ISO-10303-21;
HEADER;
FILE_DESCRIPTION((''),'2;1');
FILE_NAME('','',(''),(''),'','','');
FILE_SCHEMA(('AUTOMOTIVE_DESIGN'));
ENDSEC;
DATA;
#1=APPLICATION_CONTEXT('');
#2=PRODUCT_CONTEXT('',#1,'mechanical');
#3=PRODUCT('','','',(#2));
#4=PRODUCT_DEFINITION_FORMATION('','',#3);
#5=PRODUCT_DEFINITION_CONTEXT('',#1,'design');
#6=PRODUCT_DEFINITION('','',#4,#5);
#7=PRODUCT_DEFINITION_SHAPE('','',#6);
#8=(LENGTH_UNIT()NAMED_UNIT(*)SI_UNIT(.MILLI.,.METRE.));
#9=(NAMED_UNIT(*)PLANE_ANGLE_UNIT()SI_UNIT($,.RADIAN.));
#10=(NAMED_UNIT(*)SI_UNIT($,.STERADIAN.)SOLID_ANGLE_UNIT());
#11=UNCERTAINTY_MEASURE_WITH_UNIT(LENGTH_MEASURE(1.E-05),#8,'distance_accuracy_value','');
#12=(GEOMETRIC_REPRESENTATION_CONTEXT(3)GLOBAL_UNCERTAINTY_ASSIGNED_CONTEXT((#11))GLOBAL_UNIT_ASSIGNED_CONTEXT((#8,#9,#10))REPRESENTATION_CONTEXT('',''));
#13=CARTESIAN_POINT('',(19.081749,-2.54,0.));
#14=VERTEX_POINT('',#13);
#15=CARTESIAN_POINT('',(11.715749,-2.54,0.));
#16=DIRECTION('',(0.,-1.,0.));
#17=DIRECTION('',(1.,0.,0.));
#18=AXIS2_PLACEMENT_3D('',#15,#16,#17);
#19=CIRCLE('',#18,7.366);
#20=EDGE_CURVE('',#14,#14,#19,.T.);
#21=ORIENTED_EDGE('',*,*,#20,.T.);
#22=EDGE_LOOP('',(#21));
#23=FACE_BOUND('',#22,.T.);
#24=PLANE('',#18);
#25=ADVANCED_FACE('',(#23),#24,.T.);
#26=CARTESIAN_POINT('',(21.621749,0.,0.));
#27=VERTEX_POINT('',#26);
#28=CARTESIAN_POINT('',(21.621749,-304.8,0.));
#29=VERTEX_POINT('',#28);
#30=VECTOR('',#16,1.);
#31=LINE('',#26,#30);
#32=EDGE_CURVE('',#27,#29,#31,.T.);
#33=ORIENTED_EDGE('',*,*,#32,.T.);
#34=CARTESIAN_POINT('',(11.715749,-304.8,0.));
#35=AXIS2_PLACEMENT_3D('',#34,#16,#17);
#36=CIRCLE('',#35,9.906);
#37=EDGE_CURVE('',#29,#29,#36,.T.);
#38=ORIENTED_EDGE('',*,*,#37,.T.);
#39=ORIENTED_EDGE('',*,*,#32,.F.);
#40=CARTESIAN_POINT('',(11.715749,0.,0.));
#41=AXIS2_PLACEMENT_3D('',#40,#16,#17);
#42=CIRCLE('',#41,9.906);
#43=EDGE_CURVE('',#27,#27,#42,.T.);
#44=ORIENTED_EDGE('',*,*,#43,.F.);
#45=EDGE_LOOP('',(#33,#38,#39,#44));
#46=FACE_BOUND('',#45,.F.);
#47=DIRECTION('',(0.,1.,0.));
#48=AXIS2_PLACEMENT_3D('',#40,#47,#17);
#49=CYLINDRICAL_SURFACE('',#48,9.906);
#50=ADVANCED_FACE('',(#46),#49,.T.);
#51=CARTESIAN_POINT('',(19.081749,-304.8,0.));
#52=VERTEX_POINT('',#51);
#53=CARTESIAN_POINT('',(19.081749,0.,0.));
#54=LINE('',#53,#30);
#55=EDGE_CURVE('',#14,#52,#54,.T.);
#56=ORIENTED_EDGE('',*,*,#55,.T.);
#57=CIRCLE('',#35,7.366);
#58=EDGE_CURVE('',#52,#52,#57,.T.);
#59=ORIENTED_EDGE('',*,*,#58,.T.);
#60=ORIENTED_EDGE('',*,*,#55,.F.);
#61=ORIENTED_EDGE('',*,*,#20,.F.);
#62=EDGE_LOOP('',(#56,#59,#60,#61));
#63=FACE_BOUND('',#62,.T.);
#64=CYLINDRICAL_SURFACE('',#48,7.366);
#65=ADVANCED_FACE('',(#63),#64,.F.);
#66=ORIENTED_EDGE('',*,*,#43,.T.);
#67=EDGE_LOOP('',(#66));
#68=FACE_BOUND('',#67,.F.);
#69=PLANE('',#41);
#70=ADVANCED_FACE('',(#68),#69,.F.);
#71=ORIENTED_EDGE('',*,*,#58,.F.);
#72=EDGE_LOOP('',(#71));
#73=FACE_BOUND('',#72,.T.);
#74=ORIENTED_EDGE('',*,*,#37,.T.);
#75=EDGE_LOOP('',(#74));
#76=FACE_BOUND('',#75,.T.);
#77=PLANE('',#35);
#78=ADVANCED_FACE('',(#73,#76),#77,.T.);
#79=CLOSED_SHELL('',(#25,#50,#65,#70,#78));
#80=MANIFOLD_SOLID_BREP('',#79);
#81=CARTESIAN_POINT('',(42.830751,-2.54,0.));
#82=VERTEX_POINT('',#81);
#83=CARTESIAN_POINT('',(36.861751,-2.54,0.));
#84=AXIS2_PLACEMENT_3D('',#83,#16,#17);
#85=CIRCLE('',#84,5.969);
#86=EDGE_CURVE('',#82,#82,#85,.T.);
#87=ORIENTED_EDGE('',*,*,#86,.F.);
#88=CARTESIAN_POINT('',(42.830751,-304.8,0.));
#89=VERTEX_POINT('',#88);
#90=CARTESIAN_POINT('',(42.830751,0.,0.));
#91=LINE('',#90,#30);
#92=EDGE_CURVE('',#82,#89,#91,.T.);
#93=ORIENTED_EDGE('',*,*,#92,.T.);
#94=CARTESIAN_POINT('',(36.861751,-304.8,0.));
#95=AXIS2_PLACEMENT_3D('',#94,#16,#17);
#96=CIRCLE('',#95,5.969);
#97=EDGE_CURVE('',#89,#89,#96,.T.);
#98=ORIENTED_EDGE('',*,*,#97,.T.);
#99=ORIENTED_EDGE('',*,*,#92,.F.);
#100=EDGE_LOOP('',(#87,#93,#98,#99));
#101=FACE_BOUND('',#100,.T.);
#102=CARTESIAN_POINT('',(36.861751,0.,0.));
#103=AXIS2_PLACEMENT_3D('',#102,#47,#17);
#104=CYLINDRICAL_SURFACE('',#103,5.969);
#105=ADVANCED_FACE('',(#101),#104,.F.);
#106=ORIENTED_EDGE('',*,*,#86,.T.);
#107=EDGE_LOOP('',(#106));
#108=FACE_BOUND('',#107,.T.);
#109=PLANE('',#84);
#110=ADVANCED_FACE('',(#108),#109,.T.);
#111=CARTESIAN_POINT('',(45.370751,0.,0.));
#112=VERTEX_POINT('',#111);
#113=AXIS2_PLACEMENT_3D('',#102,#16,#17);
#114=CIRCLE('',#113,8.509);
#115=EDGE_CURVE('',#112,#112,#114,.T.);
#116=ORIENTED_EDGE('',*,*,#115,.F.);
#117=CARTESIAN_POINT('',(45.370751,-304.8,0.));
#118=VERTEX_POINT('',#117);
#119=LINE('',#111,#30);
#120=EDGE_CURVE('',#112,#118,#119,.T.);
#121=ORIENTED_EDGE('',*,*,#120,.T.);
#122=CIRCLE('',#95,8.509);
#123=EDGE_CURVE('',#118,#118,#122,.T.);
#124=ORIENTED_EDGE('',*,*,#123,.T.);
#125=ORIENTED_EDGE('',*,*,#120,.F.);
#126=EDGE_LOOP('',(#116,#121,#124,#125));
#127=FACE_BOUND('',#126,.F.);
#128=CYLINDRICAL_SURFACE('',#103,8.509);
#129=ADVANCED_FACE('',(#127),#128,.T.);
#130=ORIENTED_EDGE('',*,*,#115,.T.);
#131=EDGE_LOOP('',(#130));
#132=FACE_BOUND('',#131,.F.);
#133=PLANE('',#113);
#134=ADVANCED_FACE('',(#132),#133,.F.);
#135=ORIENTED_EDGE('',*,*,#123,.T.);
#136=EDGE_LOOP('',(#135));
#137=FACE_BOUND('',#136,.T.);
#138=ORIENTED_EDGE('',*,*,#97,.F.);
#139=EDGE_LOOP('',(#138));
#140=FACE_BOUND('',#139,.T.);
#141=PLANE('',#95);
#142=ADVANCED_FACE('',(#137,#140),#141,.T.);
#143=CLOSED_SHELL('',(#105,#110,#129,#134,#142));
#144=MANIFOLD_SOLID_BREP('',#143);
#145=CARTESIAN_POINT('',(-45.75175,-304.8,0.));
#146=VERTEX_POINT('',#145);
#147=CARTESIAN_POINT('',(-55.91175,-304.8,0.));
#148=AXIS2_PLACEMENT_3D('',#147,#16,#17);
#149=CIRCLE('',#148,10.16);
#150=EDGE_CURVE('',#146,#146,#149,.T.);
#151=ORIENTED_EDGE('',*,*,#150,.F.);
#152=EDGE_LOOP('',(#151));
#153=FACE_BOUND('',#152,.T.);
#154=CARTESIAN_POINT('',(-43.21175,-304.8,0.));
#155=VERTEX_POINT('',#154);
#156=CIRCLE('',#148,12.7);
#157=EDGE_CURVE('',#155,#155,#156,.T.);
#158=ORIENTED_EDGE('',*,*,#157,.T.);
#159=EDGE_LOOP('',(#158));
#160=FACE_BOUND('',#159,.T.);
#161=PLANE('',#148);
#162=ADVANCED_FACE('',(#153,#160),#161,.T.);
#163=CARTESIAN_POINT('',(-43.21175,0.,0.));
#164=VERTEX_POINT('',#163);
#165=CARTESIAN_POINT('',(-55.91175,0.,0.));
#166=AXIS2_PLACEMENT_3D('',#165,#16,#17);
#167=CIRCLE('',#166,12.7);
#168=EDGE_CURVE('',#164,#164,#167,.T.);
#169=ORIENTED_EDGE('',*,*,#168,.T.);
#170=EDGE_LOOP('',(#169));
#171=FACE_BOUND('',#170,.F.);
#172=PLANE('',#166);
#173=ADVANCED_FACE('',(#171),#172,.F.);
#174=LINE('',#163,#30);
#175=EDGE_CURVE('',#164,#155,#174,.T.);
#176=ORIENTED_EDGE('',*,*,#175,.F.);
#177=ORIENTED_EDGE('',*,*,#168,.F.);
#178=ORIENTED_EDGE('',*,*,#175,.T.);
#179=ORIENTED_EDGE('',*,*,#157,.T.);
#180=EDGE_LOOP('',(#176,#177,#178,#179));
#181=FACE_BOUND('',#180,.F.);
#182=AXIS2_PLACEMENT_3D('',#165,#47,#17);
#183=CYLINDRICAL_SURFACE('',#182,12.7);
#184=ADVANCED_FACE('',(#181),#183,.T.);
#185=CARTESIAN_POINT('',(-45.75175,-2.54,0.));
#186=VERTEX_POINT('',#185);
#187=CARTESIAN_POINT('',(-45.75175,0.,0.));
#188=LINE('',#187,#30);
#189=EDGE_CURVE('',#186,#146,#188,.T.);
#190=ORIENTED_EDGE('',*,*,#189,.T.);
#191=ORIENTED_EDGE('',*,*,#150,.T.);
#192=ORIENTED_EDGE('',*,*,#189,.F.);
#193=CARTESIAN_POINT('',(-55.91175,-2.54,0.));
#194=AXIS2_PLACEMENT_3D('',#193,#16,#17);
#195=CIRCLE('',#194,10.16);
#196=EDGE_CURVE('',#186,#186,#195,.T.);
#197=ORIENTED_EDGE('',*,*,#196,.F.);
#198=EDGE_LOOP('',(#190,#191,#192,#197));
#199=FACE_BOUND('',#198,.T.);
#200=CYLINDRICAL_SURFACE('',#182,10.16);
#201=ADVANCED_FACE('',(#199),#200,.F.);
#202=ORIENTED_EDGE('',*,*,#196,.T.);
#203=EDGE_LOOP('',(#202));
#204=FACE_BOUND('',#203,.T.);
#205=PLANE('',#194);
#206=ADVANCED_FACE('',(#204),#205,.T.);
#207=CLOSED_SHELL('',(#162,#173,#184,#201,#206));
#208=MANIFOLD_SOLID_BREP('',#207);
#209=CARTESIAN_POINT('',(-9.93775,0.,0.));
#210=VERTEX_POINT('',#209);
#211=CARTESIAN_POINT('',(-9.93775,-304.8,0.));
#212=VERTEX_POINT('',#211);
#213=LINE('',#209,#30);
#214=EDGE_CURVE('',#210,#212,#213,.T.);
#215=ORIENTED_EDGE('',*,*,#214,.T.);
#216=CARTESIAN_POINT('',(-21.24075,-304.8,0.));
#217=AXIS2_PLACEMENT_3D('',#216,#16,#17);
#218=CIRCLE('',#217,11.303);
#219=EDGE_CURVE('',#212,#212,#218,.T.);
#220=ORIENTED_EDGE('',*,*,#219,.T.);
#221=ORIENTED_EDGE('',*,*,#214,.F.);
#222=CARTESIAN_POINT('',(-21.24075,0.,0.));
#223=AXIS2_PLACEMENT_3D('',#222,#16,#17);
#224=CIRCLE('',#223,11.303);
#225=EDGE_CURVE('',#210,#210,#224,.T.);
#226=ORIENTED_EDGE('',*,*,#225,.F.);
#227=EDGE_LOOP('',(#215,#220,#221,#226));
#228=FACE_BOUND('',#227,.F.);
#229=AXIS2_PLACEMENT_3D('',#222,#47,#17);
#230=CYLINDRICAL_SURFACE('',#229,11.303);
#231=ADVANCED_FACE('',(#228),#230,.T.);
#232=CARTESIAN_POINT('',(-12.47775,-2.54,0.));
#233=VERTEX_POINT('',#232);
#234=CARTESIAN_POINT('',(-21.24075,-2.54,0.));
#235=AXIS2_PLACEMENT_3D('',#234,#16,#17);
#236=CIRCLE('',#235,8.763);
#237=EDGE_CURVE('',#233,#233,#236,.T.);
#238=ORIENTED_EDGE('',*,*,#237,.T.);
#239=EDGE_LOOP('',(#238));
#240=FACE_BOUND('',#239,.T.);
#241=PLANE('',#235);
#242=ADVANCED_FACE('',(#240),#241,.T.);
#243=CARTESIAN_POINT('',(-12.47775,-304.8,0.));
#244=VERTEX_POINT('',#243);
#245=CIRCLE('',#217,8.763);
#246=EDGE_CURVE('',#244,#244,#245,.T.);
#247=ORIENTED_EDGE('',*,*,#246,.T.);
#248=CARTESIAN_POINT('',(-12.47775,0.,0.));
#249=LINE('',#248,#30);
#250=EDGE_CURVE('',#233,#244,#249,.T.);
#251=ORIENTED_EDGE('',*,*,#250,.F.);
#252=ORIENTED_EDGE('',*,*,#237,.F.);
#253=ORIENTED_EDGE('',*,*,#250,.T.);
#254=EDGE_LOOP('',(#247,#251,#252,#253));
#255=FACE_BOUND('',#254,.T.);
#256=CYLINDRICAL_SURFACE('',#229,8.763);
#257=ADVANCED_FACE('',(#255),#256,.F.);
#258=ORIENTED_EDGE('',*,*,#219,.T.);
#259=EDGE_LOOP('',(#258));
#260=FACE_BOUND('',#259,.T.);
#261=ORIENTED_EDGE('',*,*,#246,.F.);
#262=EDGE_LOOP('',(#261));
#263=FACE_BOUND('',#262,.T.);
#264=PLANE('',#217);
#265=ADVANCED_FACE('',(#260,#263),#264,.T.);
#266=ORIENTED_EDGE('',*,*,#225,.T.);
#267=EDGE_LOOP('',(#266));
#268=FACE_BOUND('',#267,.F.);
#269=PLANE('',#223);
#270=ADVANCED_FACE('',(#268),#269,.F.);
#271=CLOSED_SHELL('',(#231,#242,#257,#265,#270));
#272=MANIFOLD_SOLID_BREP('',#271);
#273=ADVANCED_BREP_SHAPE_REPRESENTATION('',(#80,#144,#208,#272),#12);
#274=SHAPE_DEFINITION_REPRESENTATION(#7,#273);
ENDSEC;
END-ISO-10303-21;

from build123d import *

# Parameters (mm, degrees)
F0_R     = 12.7
F0_R_2   = 10.16
F0_R_3   = 11.303
F0_R_4   = 8.763
F0_R_5   = 9.906
F0_R_6   = 7.366
F0_R_7   = 8.509
F0_R_8   = 5.969
F1_DEPTH = 304.8
F2_DEPTH = 2.54


with BuildPart() as f1:
    # F0 (on Front) → F1 (new body)
    with BuildSketch(Plane.XZ):
        with Locations((-55.91175, 0)):
            Circle(F0_R)
        with Locations((-55.91175, 0)):
            Circle(F0_R_2, mode=Mode.SUBTRACT)
        with Locations((-21.24075, 0)):
            Circle(F0_R_3)
        with Locations((-21.24075, 0)):
            Circle(F0_R_4, mode=Mode.SUBTRACT)
        with Locations((11.715749, 0)):
            Circle(F0_R_5)
        with Locations((11.715749, 0)):
            Circle(F0_R_6, mode=Mode.SUBTRACT)
        with Locations((36.861751, 0)):
            Circle(F0_R_7)
        with Locations((36.861751, 0)):
            Circle(F0_R_8, mode=Mode.SUBTRACT)
    extrude(amount=F1_DEPTH)

    # F0 (on Front) → F2 (join)
    with BuildSketch(Plane.XZ):
        with Locations((-55.91175, 0)):
            Circle(F0_R_2)
        with Locations((-21.24075, 0)):
            Circle(F0_R_4)
        with Locations((11.715749, 0)):
            Circle(F0_R_6)
        with Locations((36.861751, 0)):
            Circle(F0_R_8)
    extrude(amount=F2_DEPTH)


solid = f1.part
